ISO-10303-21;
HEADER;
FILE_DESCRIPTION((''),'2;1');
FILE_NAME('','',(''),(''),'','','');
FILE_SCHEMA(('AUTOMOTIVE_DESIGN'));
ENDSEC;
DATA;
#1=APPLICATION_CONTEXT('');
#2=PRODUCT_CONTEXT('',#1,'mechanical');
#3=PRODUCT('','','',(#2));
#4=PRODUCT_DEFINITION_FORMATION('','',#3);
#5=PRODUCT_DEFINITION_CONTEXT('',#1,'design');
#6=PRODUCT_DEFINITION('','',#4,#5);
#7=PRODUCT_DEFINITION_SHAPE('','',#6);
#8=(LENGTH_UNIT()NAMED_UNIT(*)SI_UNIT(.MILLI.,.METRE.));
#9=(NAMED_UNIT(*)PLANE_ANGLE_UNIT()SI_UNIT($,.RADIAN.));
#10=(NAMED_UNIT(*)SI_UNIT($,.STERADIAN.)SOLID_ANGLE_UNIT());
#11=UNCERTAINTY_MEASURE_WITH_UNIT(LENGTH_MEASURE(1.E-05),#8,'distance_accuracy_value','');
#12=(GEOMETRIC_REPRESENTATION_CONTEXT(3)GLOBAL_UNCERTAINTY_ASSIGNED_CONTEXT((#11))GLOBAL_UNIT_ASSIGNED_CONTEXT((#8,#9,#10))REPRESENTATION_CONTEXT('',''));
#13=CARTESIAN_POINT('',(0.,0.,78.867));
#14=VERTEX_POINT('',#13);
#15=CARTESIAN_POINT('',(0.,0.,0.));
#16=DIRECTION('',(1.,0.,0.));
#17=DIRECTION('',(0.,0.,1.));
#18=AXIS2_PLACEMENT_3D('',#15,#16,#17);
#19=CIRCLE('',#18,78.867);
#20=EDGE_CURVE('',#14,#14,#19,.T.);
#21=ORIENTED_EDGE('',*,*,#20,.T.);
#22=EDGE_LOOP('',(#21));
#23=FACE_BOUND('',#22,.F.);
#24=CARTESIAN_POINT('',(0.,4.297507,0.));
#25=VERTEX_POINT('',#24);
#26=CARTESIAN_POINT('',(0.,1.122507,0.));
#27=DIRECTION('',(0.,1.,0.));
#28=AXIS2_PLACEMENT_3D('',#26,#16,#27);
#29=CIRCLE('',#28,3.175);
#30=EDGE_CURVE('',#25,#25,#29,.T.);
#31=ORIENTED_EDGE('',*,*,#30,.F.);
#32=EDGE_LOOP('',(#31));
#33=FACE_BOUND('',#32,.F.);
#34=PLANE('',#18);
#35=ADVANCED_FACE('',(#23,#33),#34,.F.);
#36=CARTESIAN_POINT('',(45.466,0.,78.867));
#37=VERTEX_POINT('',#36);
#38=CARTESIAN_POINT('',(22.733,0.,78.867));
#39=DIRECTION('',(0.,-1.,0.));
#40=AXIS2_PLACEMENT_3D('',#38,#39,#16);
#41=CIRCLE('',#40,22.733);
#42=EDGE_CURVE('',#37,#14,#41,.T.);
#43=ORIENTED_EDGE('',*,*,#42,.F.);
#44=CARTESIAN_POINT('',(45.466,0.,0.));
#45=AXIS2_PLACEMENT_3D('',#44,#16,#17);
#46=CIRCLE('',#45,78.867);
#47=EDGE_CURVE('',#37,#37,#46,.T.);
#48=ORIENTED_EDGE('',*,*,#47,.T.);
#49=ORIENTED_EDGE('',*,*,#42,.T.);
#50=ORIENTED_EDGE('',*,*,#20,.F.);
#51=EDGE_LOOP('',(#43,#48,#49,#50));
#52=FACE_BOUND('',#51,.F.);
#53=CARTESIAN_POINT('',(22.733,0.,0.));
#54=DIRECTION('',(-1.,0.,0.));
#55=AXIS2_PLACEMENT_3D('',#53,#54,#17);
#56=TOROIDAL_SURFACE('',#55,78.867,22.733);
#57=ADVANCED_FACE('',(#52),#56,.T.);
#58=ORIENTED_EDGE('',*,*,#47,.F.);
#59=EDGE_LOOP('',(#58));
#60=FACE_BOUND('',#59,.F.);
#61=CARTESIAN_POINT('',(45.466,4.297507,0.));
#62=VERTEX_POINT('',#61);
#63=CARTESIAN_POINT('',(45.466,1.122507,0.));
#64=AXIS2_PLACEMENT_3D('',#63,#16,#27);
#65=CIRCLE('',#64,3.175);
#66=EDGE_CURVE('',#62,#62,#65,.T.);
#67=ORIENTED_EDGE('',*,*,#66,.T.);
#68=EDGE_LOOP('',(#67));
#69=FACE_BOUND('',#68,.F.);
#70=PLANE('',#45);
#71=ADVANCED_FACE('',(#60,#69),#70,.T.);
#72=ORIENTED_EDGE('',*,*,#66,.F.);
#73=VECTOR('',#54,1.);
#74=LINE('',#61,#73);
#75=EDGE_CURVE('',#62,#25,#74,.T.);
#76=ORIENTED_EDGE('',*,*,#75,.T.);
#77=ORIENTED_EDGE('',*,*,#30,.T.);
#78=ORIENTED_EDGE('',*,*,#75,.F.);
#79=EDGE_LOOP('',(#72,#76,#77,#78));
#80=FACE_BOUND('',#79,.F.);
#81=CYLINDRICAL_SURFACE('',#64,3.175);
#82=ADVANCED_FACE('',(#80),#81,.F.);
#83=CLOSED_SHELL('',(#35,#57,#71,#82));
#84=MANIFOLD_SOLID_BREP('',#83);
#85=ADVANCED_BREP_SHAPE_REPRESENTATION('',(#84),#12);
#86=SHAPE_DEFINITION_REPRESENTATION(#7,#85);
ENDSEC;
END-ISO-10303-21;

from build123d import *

# Parameters (mm, degrees)
F2_R     = 3.175
F3_DEPTH = 50.8


with BuildPart() as f1:
    # F0 (on Front) → F1 (revolve)
    with BuildSketch(Plane.XZ):
        with BuildLine():
            ThreePointArc((45.466, 78.867), (22.733, 101.6), (0, 78.867))
            Line((0, 78.867), (0, 0))
            Line((0, 0), (45.466, 0))
            Line((45.466, 0), (45.466, 78.867))
        make_face()
    revolve(axis=Axis((22.733, 0, 0), (1, 0, 0)))

    # F2 (on face) → F3 (cut)
    with BuildSketch(Plane.YZ.offset(45.466)):
        with Locations((1.122507, 0)):
            Circle(F2_R)
    extrude(amount=-F3_DEPTH, mode=Mode.SUBTRACT)


solid = f1.part
